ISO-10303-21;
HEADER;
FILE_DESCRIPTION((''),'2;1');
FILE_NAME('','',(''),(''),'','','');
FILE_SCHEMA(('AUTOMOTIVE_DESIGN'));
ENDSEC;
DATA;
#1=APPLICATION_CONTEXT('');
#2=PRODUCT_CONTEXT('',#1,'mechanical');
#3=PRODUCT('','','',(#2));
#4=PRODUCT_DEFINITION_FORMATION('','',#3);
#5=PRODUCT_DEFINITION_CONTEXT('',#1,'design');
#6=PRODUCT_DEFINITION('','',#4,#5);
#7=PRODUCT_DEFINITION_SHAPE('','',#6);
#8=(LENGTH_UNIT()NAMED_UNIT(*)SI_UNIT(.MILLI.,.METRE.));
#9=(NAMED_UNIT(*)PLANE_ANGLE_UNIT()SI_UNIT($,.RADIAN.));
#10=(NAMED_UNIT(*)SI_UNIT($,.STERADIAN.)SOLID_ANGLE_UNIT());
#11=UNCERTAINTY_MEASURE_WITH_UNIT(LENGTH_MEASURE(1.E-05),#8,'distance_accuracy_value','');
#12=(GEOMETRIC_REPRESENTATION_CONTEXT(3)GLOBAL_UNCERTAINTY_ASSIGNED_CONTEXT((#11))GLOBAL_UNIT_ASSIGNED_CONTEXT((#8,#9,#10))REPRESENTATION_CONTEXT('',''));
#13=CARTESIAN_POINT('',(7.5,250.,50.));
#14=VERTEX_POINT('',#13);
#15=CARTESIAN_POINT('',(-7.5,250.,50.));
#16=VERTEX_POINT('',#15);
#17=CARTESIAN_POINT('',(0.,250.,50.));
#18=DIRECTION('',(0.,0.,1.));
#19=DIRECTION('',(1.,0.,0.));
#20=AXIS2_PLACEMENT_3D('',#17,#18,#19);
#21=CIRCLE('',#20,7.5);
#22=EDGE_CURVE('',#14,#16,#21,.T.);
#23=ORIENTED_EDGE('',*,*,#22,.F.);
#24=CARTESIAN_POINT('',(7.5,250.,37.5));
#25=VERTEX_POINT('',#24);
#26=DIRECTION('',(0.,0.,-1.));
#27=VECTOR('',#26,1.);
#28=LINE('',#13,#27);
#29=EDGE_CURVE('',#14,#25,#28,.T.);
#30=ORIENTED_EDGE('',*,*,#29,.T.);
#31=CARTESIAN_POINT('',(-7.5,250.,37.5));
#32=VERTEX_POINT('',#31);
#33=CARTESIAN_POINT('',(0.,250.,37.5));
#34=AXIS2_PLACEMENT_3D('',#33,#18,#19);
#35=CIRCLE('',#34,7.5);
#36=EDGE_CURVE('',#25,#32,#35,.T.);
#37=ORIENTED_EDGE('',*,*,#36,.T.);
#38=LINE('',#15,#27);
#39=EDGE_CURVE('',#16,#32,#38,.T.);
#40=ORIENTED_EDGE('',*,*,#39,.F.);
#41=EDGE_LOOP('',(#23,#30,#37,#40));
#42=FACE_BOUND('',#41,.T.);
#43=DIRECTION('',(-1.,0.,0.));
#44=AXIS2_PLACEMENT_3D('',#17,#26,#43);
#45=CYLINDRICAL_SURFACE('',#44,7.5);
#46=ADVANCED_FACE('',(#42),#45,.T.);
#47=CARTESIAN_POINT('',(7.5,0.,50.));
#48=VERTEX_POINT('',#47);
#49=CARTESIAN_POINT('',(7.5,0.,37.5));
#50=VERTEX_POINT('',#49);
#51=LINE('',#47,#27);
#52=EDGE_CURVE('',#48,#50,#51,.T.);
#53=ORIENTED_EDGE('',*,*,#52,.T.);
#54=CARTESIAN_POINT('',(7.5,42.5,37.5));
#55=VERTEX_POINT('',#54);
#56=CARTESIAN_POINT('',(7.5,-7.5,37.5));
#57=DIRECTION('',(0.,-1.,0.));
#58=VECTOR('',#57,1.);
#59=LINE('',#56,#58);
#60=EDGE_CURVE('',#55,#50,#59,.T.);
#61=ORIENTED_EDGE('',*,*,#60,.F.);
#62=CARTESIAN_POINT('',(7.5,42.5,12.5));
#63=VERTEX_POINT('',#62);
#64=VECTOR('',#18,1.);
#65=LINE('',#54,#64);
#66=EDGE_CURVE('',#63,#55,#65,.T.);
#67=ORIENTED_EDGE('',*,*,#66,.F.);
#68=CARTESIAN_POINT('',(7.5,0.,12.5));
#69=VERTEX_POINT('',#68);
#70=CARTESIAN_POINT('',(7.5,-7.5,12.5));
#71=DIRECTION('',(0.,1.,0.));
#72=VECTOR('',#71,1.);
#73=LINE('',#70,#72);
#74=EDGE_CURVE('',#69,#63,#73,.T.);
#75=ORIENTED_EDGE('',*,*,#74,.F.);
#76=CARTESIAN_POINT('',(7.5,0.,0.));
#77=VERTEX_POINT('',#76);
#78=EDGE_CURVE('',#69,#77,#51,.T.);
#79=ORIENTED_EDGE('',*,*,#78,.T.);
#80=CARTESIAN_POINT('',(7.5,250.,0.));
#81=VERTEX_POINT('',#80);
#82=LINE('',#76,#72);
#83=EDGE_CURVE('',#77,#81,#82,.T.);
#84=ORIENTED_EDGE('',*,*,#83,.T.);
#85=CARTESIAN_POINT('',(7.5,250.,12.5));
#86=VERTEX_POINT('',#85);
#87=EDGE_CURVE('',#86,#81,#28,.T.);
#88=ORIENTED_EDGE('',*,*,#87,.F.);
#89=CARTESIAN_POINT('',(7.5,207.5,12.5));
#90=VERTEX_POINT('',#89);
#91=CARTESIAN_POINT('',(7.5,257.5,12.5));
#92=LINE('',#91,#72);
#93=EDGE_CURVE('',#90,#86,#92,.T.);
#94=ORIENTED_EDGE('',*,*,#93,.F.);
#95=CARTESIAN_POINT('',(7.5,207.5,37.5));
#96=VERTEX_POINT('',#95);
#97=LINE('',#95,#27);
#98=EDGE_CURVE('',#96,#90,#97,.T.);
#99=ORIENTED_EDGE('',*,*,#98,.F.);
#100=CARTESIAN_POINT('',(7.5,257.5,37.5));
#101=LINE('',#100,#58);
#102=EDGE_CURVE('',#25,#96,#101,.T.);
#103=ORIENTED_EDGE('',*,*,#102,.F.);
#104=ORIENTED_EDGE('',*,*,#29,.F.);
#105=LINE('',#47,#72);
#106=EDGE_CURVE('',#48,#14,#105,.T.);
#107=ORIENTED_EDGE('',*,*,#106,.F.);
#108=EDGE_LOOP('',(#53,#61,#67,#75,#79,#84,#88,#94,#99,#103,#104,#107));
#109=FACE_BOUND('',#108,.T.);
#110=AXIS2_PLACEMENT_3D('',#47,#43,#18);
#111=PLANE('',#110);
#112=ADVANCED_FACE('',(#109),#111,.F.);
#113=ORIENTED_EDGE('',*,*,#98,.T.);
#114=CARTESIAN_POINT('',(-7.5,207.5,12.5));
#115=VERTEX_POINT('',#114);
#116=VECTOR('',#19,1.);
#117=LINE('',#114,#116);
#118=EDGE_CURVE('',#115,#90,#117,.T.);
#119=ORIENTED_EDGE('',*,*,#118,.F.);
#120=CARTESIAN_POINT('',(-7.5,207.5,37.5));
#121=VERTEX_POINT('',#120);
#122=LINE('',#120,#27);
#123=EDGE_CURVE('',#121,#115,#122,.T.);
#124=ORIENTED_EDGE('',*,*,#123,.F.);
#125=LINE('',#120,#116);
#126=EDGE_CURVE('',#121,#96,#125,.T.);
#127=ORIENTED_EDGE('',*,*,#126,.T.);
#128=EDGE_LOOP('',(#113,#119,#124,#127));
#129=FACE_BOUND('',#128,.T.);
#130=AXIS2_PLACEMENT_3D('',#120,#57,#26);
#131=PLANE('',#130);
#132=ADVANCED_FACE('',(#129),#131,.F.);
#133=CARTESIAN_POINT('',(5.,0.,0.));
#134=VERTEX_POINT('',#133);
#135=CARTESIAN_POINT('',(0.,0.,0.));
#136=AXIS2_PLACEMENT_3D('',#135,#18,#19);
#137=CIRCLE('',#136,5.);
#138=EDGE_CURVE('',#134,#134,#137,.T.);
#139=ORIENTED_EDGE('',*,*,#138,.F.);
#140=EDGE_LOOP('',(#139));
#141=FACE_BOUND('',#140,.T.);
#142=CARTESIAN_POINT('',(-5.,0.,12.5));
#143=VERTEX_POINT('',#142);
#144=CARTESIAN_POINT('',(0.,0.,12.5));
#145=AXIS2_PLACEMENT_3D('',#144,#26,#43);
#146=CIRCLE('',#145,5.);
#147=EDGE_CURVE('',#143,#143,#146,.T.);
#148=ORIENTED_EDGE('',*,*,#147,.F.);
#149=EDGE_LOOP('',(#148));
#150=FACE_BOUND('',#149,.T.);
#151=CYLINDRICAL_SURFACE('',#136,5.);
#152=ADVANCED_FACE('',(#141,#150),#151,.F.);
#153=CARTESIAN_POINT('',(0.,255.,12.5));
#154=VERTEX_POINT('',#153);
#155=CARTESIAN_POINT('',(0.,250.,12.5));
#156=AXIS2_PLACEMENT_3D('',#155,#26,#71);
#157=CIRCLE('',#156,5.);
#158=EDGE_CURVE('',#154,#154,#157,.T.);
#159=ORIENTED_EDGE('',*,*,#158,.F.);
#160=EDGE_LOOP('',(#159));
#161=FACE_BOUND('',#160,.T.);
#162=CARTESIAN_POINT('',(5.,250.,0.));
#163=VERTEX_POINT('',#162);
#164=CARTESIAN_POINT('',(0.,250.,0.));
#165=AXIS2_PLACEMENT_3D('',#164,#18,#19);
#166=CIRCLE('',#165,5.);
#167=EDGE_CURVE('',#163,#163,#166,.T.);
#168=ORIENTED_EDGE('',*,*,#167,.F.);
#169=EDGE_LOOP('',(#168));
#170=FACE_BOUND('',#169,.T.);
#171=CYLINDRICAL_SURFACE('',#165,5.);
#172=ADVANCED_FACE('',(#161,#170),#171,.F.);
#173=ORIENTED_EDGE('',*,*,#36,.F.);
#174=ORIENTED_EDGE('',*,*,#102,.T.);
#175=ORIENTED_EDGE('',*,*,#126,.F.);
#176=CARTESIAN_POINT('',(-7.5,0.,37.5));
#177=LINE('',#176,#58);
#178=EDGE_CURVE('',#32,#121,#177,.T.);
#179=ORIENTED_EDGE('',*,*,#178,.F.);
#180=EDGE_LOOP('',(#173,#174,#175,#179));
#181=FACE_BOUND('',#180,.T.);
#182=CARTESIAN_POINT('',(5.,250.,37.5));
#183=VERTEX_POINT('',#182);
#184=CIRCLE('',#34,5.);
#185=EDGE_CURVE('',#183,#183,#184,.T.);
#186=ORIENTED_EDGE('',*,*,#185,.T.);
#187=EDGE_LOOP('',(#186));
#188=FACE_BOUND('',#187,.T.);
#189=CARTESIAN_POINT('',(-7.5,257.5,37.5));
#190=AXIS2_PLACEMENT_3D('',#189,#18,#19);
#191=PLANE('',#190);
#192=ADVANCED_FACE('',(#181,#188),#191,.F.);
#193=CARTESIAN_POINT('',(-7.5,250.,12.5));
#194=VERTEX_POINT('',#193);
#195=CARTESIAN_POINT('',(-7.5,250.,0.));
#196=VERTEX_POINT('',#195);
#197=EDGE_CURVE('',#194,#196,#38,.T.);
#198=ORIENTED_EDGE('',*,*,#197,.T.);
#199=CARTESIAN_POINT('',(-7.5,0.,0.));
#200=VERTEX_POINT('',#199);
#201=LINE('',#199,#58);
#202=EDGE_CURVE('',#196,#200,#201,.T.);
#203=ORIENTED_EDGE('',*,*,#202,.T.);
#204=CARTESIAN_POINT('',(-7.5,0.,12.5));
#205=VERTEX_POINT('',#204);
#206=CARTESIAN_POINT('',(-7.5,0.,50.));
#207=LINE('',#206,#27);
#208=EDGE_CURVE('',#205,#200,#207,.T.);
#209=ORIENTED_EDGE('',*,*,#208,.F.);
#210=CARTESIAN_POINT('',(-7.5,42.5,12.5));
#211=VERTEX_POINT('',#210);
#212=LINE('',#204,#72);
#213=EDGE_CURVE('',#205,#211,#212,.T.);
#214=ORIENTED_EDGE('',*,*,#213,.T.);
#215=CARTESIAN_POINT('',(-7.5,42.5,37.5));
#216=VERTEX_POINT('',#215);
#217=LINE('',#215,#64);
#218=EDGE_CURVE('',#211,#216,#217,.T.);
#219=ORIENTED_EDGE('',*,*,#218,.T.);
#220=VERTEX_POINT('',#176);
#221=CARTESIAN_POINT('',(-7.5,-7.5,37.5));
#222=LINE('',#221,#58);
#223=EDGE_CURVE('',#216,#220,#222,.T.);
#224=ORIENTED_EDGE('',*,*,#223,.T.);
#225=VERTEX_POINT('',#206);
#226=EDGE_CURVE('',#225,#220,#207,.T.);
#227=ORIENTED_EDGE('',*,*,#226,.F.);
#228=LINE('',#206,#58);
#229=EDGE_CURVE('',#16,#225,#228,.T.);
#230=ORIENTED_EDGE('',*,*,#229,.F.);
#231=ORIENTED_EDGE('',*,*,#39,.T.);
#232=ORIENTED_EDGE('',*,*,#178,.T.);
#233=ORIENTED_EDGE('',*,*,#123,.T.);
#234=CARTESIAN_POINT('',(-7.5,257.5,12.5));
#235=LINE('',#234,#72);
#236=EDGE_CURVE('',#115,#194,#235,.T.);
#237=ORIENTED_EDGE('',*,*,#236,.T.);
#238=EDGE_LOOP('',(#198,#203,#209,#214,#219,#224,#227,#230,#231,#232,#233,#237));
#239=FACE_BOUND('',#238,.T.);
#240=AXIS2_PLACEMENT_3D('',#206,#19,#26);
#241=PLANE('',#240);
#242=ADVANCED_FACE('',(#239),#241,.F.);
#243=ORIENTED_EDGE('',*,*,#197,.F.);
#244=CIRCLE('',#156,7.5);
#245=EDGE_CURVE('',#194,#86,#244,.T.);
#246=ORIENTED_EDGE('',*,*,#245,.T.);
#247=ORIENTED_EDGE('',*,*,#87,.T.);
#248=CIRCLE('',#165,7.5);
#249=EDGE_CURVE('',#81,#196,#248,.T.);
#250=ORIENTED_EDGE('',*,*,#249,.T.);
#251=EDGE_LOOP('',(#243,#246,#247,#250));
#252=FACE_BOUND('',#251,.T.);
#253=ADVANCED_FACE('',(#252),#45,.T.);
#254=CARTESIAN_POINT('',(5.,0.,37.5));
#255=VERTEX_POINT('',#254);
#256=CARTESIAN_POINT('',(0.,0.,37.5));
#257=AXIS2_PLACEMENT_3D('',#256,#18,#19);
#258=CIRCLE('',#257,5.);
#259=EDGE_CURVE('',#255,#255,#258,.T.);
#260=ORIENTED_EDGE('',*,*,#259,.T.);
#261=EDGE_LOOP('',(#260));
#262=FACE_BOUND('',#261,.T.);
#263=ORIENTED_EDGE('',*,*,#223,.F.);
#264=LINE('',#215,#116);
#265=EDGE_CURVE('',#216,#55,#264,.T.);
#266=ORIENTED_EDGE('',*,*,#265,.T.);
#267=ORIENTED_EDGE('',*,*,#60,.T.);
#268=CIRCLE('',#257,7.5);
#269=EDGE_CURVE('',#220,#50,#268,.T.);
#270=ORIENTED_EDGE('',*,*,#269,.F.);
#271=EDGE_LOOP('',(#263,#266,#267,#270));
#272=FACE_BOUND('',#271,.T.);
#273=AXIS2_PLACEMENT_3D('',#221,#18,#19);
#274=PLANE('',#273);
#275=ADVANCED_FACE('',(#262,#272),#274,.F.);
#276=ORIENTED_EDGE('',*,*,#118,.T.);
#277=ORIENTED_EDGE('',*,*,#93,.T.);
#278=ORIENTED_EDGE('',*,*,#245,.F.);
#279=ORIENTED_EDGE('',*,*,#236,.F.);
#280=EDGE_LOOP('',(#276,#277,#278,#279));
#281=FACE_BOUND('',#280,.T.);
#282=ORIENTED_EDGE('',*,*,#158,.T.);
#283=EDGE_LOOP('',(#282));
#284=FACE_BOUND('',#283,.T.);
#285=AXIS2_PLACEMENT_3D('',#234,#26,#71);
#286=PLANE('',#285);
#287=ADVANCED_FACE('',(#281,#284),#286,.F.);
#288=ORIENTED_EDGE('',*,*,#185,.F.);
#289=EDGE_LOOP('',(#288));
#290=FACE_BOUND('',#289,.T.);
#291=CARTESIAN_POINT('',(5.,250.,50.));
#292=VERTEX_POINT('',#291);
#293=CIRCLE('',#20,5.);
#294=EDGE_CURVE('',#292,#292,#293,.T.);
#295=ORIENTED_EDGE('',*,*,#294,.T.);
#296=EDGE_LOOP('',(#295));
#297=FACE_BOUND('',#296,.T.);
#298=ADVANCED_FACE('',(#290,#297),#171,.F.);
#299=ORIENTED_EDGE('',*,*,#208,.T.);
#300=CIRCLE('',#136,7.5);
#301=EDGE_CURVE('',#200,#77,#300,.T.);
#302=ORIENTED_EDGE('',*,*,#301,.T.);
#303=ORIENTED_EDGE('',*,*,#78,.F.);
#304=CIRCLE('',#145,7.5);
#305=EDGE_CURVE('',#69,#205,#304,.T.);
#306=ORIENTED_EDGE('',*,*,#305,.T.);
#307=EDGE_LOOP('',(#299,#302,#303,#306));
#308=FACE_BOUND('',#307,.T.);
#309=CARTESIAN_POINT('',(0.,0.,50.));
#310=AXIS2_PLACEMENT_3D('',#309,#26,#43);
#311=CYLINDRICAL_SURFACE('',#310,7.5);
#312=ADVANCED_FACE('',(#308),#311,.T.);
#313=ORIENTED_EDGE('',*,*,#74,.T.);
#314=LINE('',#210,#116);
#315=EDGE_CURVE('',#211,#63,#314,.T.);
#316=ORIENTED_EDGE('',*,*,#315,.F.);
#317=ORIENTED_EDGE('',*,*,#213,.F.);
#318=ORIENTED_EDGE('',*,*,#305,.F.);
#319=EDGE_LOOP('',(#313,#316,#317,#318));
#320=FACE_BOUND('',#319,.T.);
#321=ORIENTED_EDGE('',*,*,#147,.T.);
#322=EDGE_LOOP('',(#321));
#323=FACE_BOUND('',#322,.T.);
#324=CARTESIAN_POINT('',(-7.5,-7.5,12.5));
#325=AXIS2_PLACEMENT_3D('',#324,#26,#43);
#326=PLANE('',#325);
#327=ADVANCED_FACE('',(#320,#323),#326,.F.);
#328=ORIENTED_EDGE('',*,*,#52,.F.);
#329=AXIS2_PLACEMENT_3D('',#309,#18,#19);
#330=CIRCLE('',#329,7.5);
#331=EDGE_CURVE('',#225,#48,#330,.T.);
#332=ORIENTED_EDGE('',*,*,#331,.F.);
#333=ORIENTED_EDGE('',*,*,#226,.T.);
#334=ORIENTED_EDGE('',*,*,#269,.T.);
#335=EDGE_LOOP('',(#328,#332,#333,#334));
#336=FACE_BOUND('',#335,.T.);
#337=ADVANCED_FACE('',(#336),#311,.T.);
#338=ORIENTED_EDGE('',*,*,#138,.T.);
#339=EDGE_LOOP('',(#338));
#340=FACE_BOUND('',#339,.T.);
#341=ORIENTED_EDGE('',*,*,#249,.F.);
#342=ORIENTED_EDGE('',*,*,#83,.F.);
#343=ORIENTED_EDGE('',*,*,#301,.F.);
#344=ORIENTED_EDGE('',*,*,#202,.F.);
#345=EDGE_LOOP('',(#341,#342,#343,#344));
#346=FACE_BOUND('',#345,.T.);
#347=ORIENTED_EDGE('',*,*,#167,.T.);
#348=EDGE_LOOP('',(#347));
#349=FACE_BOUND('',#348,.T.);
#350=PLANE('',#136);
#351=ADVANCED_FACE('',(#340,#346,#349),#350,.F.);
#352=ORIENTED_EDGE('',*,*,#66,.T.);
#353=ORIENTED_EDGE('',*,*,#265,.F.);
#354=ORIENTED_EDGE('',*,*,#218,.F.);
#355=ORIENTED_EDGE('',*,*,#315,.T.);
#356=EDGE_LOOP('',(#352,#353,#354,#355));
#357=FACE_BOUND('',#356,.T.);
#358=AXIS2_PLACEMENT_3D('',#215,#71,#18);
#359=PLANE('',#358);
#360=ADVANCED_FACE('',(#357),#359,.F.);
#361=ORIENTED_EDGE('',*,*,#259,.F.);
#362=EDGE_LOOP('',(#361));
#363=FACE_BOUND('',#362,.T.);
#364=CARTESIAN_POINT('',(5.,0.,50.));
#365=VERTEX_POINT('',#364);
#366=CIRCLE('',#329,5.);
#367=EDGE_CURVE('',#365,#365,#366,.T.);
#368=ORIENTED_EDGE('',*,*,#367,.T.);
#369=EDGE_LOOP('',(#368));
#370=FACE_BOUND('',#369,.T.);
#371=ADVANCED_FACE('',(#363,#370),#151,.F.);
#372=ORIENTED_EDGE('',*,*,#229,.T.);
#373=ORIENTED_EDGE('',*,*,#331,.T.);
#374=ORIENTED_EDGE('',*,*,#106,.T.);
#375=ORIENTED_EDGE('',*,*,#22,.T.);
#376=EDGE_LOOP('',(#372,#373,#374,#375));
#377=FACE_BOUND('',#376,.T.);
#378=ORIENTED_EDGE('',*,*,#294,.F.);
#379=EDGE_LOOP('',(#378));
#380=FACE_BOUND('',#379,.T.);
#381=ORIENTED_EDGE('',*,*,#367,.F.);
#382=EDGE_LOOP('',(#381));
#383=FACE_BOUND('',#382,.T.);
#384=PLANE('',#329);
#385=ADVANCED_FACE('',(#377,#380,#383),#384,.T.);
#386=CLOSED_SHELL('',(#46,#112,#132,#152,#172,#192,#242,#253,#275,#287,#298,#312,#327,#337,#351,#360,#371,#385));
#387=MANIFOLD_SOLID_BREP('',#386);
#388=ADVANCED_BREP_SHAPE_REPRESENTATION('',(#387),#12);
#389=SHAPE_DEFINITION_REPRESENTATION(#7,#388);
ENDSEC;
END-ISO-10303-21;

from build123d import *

# Parameters (mm, degrees)
EXTRUDE_1_DEPTH     = 50
SKETCH_2_W          = 25
SKETCH_2_H          = 50
CUT_EXTRUDE_1_DEPTH = 263.737987356
SKETCH_3_R          = 5
CUT_EXTRUDE_2_DEPTH = 263.416653435


with BuildPart() as part:
    # 草图1 → 凸台-拉伸1 (new body)
    with BuildSketch(Plane.XY):
        with BuildLine():
            Line((-7.5, 0), (-7.5, 250))
            ThreePointArc((-7.5, 250), (0, 257.5), (7.5, 250))
            Line((7.5, 250), (7.5, 0))
            ThreePointArc((7.5, 0), (0, -7.5), (-7.5, 0))
        make_face()
    extrude(amount=EXTRUDE_1_DEPTH)

    # 草图2 → 切除-拉伸1 (cut, through all)
    with BuildSketch(Plane(origin=(7.5, 0, 0), x_dir=(0, 0, -1), z_dir=(1, 0, 0))):
        with Locations((-25, 232.5)):
            Rectangle(SKETCH_2_W, SKETCH_2_H)
        with Locations((-25, 17.5)):
            Rectangle(SKETCH_2_W, SKETCH_2_H)
    extrude(amount=-CUT_EXTRUDE_1_DEPTH, mode=Mode.SUBTRACT)

    # 草图3 → 切除-拉伸2 (cut, through all)
    with BuildSketch(Plane.XY.offset(50)):
        with Locations((0, 250)):
            Circle(SKETCH_3_R)
        Circle(SKETCH_3_R)
    extrude(amount=-CUT_EXTRUDE_2_DEPTH, mode=Mode.SUBTRACT)


solid = part.part
